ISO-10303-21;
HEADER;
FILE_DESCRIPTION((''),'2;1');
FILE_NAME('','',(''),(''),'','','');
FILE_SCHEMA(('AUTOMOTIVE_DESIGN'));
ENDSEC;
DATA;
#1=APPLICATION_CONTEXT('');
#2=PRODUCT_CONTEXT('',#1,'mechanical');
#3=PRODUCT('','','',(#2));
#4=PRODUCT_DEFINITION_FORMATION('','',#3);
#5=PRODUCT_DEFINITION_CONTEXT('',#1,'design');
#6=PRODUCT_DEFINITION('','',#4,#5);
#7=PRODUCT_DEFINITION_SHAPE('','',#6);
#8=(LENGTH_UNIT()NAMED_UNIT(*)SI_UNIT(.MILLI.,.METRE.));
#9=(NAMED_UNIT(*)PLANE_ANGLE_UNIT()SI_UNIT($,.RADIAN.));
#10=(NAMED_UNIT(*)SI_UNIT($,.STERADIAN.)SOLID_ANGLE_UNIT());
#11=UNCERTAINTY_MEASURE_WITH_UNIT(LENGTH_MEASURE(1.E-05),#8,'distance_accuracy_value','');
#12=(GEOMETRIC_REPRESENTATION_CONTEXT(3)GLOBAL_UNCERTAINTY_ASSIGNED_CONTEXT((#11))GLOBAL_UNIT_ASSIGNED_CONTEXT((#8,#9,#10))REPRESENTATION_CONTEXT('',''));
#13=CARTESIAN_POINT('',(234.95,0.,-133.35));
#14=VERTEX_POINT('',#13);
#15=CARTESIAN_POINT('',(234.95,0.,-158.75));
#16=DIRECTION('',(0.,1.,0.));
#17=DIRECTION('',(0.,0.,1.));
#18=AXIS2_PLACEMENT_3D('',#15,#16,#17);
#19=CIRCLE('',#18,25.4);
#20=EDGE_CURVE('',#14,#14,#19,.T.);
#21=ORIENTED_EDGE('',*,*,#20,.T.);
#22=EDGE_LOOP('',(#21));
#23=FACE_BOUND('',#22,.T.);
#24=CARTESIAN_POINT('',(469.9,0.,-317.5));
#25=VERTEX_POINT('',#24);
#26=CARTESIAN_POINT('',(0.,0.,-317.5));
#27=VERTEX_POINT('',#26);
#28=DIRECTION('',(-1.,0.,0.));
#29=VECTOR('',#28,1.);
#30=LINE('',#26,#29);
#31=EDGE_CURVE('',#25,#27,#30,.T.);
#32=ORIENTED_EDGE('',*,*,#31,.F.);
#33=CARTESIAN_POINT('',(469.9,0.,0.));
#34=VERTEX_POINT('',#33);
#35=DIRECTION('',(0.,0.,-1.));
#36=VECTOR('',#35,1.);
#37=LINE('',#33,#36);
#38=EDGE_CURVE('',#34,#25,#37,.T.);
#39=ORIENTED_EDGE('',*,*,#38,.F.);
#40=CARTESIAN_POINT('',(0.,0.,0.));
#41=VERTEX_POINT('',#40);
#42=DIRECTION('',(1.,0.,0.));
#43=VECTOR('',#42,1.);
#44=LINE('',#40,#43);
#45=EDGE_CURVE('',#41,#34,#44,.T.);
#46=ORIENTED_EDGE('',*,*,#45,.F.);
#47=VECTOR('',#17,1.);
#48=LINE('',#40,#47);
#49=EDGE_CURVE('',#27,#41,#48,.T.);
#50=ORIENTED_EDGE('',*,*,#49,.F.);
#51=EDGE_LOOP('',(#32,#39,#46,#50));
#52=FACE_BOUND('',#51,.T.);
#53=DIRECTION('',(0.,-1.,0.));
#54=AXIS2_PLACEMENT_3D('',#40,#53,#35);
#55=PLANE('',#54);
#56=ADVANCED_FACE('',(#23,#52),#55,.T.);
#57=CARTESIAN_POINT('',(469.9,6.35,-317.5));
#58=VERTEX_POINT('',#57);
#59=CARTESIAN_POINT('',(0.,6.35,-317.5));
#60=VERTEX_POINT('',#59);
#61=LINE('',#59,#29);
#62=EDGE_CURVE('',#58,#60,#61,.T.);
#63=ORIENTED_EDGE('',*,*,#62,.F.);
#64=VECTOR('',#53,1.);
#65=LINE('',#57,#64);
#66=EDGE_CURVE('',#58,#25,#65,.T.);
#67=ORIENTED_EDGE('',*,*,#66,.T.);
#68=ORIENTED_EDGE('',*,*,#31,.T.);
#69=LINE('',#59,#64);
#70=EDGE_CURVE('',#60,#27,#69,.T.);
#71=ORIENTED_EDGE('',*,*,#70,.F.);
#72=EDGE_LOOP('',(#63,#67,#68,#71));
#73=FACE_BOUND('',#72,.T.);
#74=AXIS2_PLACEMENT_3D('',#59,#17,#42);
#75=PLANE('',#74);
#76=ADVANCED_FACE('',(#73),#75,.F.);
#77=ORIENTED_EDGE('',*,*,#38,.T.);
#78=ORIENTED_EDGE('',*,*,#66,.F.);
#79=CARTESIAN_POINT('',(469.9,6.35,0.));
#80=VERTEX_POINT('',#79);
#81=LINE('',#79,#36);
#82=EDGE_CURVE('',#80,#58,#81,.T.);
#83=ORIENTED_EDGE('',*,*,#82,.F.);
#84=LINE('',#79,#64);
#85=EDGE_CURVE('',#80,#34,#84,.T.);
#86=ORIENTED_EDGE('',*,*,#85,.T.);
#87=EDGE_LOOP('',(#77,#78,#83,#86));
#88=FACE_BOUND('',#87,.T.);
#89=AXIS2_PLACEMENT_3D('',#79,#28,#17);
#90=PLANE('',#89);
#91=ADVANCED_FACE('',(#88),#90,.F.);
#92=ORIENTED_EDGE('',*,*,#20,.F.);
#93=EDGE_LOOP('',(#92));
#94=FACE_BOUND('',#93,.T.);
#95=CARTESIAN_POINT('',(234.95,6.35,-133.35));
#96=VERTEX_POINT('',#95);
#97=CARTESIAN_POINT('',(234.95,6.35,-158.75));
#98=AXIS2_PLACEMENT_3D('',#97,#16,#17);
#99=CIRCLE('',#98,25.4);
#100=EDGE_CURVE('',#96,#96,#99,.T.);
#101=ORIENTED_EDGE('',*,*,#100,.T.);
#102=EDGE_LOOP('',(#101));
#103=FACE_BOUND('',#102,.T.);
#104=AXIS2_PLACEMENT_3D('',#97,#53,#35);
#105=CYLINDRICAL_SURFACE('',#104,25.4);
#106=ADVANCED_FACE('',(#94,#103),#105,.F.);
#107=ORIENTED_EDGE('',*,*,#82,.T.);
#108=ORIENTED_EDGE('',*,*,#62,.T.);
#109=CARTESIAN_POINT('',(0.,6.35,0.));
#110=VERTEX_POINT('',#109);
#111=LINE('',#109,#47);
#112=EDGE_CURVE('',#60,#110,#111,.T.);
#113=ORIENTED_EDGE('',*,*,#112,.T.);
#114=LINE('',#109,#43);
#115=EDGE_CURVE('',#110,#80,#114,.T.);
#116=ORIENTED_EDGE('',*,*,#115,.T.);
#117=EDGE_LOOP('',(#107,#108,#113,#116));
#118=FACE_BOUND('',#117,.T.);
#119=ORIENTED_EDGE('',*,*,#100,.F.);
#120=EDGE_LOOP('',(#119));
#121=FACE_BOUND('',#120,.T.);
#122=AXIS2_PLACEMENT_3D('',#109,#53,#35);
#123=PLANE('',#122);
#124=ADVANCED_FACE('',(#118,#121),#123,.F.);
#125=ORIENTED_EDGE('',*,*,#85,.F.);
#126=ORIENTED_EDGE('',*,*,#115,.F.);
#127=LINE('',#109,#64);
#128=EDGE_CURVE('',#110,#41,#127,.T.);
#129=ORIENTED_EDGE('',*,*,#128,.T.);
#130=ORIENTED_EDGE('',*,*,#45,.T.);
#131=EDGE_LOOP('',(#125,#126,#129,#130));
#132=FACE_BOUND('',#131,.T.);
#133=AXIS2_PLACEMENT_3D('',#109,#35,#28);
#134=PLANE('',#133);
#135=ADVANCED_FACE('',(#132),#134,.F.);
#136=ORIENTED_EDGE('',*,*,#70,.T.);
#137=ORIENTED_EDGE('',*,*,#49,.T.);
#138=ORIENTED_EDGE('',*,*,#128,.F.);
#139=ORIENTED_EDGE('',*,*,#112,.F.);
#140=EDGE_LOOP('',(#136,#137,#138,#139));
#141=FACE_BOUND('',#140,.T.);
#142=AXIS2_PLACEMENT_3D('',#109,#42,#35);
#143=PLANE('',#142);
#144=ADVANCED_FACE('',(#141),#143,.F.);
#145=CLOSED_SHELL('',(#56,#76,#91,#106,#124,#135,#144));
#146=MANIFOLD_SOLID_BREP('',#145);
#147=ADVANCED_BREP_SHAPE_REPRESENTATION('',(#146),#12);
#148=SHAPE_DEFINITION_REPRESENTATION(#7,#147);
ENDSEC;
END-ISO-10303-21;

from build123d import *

# Parameters (mm, degrees)
SKETCH1_W           = 469.9
SKETCH1_H           = 317.5
SKETCH1_R           = 25.4
BOSS_EXTRUDE1_DEPTH = 6.35


with BuildPart() as part:
    # Sketch1 → Boss-Extrude1 (new body)
    with BuildSketch(Plane(origin=(0, 0, 0), x_dir=(1, 0, 0), z_dir=(0, 1, 0))):
        with Locations((234.95, 158.75)):
            Rectangle(SKETCH1_W, SKETCH1_H)
        with Locations((234.95, 158.75)):
            Circle(SKETCH1_R, mode=Mode.SUBTRACT)
    extrude(amount=BOSS_EXTRUDE1_DEPTH)


solid = part.part
